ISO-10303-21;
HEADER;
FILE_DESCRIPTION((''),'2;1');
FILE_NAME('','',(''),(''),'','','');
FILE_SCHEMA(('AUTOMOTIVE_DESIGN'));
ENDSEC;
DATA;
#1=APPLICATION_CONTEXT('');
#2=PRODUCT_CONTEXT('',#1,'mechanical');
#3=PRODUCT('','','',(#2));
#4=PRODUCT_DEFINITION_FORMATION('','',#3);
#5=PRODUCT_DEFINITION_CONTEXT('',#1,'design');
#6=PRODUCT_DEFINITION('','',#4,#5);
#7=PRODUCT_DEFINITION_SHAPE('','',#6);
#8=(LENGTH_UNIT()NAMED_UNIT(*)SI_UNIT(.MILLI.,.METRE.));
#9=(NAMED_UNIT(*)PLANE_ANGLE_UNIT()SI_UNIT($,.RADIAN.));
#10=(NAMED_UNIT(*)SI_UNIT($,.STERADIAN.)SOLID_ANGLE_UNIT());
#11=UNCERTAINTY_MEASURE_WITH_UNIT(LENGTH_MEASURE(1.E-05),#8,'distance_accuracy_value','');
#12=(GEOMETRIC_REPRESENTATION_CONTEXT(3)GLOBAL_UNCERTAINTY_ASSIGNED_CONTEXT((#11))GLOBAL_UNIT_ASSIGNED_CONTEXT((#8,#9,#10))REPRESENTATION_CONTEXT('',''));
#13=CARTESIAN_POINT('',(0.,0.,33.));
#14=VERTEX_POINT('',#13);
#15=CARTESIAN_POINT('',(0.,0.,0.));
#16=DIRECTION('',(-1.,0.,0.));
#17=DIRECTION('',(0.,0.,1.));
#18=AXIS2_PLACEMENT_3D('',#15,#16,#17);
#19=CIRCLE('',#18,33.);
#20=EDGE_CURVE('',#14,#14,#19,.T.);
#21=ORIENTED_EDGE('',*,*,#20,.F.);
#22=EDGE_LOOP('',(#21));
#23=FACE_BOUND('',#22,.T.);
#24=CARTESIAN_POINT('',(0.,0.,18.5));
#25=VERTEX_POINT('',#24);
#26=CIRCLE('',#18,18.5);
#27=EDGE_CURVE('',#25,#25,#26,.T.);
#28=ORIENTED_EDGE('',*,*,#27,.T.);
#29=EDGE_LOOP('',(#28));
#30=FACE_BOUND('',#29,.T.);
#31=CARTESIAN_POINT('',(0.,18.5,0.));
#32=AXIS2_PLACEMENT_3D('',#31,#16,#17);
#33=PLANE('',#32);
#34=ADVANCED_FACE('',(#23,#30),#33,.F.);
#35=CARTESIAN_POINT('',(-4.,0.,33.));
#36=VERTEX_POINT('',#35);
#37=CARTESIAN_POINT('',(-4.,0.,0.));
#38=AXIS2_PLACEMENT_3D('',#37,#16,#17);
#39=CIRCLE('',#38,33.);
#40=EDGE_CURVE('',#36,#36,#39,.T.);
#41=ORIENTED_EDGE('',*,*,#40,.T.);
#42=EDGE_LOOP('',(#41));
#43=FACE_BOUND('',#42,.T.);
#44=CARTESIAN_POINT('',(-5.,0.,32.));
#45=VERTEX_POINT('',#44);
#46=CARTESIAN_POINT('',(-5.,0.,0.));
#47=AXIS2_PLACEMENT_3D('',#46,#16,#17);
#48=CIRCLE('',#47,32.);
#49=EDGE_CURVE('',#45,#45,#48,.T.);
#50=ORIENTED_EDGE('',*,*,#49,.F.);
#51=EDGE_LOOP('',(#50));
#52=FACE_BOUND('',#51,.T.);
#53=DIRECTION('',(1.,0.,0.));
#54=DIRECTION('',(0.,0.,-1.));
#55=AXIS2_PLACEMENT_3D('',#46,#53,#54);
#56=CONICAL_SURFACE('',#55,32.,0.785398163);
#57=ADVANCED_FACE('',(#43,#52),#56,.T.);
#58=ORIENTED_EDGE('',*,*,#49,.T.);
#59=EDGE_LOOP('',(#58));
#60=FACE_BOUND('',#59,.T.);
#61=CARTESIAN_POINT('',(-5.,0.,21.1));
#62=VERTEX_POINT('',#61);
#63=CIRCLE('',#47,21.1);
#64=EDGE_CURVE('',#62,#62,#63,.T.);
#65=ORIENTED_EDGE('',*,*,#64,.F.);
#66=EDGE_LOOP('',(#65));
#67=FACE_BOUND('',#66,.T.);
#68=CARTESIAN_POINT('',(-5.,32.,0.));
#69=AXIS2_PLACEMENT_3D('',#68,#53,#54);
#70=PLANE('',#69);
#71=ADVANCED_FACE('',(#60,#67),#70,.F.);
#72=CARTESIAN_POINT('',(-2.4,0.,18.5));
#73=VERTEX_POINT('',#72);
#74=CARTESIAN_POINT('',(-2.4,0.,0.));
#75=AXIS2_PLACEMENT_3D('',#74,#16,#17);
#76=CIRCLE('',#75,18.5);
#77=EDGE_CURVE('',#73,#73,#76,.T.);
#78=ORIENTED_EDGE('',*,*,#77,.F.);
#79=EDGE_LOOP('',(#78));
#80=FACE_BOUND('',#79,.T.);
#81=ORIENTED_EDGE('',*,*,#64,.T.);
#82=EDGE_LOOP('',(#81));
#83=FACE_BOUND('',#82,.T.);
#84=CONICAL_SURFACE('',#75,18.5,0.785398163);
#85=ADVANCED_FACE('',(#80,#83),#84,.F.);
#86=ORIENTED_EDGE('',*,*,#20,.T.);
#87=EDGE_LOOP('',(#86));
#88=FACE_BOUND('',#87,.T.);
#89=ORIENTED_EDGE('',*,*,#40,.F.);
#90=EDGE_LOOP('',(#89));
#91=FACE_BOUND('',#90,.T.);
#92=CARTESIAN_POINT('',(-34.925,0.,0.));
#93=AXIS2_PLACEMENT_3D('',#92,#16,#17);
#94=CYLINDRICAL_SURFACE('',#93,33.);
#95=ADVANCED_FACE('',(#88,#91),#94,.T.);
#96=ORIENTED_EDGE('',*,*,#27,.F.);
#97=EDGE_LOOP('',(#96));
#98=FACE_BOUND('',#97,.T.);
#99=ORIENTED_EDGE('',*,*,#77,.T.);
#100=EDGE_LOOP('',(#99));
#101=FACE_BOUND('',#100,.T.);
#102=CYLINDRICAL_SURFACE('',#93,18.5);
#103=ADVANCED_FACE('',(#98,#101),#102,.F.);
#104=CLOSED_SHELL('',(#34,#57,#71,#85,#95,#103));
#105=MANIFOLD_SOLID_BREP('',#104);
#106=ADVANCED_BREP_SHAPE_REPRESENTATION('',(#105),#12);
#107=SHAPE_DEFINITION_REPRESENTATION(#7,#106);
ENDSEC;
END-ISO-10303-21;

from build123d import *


with BuildPart() as part:
    # Sketch1 → Base-Revolve (revolve)
    with BuildSketch(Plane.XY, mode=Mode.PRIVATE) as base_revolve_sk:
        Polygon((0, 18.5), (0, 33), (-4, 33), (-5, 32), (-5, 21.1), (-2.4, 18.5), align=None)
    revolve(base_revolve_sk.sketch.rotate(Axis((-34.925, 0, 0), (1, 0, 0)), 90), axis=Axis((-34.925, 0, 0), (1, 0, 0)))


solid = part.part
